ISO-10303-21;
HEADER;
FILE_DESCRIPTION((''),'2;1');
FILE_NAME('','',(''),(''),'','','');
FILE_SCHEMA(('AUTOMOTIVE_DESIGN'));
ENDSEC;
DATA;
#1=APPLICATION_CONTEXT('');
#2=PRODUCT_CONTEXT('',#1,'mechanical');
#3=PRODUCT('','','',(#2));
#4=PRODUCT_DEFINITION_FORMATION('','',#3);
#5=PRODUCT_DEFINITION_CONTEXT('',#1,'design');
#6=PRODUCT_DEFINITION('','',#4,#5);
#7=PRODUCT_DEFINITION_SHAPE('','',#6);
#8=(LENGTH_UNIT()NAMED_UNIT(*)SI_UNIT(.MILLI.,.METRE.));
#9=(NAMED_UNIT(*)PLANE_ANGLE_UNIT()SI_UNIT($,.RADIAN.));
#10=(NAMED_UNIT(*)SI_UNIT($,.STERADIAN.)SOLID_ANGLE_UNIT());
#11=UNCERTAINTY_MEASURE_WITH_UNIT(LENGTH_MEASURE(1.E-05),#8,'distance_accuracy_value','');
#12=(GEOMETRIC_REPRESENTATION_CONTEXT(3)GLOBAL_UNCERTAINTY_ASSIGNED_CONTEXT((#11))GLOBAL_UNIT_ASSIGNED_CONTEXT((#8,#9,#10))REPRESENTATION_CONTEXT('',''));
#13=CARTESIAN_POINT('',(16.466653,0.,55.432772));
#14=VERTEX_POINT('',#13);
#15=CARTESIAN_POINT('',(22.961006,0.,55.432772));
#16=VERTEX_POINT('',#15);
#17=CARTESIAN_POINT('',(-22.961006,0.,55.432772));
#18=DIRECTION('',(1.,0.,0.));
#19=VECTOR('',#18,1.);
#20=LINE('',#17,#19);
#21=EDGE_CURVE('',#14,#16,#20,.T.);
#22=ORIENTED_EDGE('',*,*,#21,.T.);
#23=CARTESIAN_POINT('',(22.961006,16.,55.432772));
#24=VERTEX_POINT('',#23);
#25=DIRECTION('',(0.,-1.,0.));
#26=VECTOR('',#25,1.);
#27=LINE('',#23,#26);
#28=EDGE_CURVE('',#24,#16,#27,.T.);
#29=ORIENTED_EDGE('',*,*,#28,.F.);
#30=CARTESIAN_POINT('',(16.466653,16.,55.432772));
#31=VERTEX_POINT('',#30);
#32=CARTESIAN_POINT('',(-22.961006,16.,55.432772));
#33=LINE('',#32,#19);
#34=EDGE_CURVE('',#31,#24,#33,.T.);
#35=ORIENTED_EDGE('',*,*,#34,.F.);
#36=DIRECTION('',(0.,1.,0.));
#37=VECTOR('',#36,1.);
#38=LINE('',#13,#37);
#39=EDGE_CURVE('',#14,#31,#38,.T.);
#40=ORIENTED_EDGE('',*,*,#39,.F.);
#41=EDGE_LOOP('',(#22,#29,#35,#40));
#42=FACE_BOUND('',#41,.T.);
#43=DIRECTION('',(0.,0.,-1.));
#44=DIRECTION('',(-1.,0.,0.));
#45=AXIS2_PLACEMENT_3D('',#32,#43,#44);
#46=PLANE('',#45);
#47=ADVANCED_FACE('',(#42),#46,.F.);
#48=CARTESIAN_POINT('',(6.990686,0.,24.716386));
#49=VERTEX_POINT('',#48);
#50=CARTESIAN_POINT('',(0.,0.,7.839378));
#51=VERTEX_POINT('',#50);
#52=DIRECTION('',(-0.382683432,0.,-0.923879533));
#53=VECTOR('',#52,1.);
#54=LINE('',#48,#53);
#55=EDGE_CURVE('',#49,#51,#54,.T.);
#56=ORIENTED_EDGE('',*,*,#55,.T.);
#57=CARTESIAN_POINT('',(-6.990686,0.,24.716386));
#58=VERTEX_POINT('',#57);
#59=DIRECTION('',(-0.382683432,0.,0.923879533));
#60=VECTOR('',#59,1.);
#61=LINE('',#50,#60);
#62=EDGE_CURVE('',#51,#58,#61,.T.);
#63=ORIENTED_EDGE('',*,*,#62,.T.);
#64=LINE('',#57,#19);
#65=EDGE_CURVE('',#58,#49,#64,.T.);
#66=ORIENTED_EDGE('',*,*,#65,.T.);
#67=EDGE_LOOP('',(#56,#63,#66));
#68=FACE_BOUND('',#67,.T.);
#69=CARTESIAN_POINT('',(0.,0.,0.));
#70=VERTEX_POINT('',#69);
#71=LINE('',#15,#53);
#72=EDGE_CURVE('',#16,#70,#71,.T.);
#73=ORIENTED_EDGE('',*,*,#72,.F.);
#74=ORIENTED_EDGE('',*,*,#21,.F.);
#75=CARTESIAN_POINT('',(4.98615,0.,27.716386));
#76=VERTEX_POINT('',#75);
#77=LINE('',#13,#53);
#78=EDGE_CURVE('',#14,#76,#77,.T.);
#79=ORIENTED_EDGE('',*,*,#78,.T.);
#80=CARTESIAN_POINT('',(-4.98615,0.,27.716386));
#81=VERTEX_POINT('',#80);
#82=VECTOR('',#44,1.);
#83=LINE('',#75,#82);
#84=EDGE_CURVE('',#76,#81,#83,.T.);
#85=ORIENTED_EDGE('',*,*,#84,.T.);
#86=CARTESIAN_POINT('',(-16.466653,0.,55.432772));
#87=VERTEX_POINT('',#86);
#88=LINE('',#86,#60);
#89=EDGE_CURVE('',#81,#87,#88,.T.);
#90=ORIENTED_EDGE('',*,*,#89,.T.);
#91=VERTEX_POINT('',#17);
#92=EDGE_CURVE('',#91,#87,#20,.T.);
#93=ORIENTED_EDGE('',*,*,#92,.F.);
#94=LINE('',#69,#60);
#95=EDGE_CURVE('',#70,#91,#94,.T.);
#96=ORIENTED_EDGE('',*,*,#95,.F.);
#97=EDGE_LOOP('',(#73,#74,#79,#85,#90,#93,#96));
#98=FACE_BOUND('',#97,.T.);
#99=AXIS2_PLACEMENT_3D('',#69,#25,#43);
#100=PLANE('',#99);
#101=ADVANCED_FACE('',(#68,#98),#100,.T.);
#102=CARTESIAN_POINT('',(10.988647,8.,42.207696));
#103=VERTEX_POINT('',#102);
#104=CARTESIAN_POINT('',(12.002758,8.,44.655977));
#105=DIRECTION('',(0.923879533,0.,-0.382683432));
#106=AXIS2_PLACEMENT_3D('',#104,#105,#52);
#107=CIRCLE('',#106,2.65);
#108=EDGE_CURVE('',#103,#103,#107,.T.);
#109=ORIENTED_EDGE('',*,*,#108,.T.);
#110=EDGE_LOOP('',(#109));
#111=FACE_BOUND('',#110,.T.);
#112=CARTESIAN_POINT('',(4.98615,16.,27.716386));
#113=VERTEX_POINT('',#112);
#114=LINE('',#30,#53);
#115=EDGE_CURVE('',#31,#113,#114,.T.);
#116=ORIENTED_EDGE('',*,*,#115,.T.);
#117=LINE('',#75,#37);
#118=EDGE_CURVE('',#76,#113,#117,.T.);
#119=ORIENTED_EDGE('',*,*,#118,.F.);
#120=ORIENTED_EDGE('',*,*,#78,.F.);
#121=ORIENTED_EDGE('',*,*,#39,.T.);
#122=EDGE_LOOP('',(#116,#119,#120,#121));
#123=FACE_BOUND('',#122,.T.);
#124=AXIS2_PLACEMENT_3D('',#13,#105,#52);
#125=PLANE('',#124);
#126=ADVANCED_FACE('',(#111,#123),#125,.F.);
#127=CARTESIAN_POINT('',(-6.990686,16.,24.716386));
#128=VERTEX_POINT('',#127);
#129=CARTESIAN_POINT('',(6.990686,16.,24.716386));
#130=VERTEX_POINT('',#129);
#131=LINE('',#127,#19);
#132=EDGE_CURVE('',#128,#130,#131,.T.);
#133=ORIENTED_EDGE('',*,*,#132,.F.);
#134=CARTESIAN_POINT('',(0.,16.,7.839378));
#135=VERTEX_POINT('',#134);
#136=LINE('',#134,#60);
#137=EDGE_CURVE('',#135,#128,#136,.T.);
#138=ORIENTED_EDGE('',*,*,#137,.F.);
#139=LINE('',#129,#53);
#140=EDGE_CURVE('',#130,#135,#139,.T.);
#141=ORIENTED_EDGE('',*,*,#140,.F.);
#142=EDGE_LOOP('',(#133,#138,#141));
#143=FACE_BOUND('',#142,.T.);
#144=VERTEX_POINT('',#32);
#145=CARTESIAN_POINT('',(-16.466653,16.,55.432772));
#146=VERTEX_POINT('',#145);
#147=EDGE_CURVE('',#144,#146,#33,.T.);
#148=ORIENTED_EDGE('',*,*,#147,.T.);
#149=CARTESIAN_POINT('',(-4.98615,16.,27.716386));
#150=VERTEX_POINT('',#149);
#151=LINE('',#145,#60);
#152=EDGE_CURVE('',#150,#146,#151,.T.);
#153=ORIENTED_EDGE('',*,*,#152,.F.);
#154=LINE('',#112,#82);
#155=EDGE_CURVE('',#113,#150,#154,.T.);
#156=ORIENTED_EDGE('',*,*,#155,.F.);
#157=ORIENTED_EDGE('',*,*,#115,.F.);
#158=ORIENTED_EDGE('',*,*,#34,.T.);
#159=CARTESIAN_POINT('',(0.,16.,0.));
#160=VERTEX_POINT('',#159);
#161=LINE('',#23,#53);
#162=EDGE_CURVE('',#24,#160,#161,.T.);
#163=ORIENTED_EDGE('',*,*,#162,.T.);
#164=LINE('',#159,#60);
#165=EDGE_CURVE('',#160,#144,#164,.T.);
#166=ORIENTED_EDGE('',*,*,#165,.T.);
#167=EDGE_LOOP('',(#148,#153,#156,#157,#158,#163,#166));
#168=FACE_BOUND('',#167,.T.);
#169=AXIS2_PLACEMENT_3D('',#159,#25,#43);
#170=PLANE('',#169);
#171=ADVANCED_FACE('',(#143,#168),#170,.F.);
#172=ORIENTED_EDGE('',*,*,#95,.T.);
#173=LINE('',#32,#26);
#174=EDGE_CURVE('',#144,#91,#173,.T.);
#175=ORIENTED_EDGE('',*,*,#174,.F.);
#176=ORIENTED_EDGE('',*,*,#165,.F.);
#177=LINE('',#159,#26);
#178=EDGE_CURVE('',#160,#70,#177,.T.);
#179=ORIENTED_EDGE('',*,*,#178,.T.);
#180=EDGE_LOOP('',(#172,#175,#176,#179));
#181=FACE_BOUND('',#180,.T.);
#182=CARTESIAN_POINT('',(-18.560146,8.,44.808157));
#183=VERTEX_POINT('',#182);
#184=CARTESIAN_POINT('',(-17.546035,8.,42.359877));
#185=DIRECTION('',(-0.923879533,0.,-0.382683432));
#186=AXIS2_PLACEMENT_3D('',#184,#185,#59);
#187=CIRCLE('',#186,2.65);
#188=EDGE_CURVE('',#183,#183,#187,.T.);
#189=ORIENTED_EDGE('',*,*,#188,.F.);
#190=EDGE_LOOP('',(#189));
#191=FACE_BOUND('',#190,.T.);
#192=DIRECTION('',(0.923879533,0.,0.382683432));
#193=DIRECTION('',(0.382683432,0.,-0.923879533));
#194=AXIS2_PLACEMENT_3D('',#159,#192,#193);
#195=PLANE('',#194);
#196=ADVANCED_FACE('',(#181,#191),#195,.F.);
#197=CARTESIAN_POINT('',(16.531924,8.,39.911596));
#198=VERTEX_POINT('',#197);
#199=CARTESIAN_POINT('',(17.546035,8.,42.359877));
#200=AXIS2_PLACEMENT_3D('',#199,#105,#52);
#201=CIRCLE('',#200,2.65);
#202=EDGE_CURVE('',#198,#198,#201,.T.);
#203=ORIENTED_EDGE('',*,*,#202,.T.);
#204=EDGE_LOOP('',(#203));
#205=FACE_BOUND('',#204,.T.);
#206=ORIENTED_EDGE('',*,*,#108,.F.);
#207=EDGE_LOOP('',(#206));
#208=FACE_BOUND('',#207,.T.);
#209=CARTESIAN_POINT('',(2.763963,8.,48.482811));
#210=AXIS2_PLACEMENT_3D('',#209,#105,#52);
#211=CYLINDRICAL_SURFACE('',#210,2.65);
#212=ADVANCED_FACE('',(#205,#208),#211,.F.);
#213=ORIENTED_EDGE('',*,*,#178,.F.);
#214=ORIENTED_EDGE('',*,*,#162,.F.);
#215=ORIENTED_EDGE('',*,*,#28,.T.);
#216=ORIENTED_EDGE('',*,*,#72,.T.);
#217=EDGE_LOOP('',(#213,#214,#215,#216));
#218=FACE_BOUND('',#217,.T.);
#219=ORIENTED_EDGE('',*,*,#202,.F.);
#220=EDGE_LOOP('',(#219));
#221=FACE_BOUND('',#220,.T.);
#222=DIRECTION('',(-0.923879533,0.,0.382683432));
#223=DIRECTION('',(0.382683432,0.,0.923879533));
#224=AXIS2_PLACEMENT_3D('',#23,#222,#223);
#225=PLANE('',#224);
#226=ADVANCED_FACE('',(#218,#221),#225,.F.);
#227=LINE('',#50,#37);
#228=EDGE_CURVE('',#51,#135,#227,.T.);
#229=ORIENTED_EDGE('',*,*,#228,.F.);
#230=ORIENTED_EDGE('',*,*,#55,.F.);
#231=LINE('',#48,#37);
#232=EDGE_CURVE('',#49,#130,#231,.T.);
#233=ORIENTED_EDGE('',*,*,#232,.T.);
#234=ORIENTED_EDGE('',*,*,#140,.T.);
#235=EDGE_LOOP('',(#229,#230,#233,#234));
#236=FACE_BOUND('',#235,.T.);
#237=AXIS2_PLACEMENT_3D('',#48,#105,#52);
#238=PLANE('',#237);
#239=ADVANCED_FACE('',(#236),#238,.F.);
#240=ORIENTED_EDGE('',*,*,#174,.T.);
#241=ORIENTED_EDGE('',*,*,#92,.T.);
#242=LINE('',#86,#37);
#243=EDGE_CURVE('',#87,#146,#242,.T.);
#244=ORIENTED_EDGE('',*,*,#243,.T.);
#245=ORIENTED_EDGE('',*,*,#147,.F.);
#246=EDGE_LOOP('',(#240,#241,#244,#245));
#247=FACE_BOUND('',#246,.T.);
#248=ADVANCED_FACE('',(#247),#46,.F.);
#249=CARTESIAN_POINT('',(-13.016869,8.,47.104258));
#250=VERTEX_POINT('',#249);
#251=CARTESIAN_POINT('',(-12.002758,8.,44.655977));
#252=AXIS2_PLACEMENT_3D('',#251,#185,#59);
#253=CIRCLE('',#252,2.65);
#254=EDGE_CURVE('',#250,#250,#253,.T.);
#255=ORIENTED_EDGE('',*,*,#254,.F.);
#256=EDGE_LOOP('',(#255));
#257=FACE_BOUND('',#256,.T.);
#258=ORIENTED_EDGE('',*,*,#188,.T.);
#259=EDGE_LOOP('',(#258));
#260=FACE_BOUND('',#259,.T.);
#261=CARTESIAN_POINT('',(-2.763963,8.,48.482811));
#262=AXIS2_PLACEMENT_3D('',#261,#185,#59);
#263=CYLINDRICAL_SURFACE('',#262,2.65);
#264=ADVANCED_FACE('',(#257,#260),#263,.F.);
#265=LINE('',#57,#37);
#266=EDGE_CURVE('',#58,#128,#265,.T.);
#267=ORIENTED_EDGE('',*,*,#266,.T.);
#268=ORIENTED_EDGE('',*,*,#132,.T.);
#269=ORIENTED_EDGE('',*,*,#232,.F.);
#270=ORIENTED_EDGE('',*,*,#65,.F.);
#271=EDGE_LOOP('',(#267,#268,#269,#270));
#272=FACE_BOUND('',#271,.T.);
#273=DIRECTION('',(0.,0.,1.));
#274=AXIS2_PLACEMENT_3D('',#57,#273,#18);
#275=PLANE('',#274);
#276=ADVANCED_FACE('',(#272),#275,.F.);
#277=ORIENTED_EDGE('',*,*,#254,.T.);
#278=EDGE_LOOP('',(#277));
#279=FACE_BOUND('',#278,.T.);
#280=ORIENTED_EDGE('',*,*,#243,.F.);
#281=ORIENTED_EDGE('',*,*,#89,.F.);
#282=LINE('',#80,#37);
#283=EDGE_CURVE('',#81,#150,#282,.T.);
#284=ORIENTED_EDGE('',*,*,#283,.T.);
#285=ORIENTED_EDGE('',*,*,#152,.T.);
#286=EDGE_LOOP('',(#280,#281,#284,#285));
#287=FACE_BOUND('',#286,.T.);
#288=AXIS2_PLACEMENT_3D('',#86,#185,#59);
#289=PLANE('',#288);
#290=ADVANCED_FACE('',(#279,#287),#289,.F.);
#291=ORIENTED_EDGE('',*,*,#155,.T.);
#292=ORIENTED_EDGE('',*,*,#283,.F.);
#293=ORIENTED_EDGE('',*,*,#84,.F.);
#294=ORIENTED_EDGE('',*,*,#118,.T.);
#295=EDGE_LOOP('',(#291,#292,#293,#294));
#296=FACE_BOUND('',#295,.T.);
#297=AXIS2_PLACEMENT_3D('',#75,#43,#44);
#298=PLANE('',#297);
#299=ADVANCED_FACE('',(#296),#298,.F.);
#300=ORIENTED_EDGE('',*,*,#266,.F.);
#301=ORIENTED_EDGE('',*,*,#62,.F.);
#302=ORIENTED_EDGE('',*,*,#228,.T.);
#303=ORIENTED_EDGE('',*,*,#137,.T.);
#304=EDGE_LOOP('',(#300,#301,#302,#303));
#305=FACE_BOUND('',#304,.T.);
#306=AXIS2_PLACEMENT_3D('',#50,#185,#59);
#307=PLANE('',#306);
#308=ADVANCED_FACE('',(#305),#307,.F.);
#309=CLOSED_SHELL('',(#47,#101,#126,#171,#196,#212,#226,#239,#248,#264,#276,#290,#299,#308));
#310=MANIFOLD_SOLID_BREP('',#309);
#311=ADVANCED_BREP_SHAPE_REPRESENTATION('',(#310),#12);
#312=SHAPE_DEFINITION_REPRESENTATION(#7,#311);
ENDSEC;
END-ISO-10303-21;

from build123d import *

# Parameters (mm, degrees)
BOSS_EXTRUDE1_DEPTH = 16
CUT_EXTRUDE1_DEPTH  = 16
SKETCH3_R           = 2.65
CUT_EXTRUDE2_DEPTH  = 16
SKETCH4_R           = 2.65
CUT_EXTRUDE3_DEPTH  = 16


with BuildPart() as part:
    # Sketch1 → Boss-Extrude1 (new body)
    with BuildSketch(Plane(origin=(0, 0, 0), x_dir=(1, 0, 0), z_dir=(0, 1, 0))):
        Polygon((0, 0), (-22.961005942, -55.432771951), (22.961005942, -55.432771951), align=None)
    extrude(amount=BOSS_EXTRUDE1_DEPTH)

    # Sketch2 → Cut-Extrude1 (cut)
    with BuildSketch(Plane(origin=(0, 16, 0), x_dir=(1, 0, 0), z_dir=(0, 1, 0))):
        Polygon((-16.46665274, -55.432771951), (-4.986149769, -27.716385975), (4.986149769, -27.716385975), (16.46665274, -55.432771951), align=None)
        Polygon((-6.990685683, -24.716385975), (6.990685683, -24.716385975), (0, -7.839377789), align=None)
    extrude(amount=-CUT_EXTRUDE1_DEPTH, mode=Mode.SUBTRACT)

    # Sketch3 → Cut-Extrude2 (cut)
    with BuildSketch(Plane(origin=(0, 0, 0), x_dir=(-0.3826834323650873, 0, -0.9238795325112878), z_dir=(0.9238795325112878, 0, -0.3826834323650873))):
        with Locations((-45.85, 8)):
            Circle(SKETCH3_R)
    extrude(amount=-CUT_EXTRUDE2_DEPTH, mode=Mode.SUBTRACT)

    # Sketch4 → Cut-Extrude3 (cut)
    with BuildSketch(Plane(origin=(0, 0, 0), x_dir=(-0.3826834323650873, 0, 0.9238795325112878), z_dir=(-0.9238795325112878, 0, -0.3826834323650873))):
        with Locations((45.85, 8)):
            Circle(SKETCH4_R)
    extrude(amount=-CUT_EXTRUDE3_DEPTH, mode=Mode.SUBTRACT)


solid = part.part
